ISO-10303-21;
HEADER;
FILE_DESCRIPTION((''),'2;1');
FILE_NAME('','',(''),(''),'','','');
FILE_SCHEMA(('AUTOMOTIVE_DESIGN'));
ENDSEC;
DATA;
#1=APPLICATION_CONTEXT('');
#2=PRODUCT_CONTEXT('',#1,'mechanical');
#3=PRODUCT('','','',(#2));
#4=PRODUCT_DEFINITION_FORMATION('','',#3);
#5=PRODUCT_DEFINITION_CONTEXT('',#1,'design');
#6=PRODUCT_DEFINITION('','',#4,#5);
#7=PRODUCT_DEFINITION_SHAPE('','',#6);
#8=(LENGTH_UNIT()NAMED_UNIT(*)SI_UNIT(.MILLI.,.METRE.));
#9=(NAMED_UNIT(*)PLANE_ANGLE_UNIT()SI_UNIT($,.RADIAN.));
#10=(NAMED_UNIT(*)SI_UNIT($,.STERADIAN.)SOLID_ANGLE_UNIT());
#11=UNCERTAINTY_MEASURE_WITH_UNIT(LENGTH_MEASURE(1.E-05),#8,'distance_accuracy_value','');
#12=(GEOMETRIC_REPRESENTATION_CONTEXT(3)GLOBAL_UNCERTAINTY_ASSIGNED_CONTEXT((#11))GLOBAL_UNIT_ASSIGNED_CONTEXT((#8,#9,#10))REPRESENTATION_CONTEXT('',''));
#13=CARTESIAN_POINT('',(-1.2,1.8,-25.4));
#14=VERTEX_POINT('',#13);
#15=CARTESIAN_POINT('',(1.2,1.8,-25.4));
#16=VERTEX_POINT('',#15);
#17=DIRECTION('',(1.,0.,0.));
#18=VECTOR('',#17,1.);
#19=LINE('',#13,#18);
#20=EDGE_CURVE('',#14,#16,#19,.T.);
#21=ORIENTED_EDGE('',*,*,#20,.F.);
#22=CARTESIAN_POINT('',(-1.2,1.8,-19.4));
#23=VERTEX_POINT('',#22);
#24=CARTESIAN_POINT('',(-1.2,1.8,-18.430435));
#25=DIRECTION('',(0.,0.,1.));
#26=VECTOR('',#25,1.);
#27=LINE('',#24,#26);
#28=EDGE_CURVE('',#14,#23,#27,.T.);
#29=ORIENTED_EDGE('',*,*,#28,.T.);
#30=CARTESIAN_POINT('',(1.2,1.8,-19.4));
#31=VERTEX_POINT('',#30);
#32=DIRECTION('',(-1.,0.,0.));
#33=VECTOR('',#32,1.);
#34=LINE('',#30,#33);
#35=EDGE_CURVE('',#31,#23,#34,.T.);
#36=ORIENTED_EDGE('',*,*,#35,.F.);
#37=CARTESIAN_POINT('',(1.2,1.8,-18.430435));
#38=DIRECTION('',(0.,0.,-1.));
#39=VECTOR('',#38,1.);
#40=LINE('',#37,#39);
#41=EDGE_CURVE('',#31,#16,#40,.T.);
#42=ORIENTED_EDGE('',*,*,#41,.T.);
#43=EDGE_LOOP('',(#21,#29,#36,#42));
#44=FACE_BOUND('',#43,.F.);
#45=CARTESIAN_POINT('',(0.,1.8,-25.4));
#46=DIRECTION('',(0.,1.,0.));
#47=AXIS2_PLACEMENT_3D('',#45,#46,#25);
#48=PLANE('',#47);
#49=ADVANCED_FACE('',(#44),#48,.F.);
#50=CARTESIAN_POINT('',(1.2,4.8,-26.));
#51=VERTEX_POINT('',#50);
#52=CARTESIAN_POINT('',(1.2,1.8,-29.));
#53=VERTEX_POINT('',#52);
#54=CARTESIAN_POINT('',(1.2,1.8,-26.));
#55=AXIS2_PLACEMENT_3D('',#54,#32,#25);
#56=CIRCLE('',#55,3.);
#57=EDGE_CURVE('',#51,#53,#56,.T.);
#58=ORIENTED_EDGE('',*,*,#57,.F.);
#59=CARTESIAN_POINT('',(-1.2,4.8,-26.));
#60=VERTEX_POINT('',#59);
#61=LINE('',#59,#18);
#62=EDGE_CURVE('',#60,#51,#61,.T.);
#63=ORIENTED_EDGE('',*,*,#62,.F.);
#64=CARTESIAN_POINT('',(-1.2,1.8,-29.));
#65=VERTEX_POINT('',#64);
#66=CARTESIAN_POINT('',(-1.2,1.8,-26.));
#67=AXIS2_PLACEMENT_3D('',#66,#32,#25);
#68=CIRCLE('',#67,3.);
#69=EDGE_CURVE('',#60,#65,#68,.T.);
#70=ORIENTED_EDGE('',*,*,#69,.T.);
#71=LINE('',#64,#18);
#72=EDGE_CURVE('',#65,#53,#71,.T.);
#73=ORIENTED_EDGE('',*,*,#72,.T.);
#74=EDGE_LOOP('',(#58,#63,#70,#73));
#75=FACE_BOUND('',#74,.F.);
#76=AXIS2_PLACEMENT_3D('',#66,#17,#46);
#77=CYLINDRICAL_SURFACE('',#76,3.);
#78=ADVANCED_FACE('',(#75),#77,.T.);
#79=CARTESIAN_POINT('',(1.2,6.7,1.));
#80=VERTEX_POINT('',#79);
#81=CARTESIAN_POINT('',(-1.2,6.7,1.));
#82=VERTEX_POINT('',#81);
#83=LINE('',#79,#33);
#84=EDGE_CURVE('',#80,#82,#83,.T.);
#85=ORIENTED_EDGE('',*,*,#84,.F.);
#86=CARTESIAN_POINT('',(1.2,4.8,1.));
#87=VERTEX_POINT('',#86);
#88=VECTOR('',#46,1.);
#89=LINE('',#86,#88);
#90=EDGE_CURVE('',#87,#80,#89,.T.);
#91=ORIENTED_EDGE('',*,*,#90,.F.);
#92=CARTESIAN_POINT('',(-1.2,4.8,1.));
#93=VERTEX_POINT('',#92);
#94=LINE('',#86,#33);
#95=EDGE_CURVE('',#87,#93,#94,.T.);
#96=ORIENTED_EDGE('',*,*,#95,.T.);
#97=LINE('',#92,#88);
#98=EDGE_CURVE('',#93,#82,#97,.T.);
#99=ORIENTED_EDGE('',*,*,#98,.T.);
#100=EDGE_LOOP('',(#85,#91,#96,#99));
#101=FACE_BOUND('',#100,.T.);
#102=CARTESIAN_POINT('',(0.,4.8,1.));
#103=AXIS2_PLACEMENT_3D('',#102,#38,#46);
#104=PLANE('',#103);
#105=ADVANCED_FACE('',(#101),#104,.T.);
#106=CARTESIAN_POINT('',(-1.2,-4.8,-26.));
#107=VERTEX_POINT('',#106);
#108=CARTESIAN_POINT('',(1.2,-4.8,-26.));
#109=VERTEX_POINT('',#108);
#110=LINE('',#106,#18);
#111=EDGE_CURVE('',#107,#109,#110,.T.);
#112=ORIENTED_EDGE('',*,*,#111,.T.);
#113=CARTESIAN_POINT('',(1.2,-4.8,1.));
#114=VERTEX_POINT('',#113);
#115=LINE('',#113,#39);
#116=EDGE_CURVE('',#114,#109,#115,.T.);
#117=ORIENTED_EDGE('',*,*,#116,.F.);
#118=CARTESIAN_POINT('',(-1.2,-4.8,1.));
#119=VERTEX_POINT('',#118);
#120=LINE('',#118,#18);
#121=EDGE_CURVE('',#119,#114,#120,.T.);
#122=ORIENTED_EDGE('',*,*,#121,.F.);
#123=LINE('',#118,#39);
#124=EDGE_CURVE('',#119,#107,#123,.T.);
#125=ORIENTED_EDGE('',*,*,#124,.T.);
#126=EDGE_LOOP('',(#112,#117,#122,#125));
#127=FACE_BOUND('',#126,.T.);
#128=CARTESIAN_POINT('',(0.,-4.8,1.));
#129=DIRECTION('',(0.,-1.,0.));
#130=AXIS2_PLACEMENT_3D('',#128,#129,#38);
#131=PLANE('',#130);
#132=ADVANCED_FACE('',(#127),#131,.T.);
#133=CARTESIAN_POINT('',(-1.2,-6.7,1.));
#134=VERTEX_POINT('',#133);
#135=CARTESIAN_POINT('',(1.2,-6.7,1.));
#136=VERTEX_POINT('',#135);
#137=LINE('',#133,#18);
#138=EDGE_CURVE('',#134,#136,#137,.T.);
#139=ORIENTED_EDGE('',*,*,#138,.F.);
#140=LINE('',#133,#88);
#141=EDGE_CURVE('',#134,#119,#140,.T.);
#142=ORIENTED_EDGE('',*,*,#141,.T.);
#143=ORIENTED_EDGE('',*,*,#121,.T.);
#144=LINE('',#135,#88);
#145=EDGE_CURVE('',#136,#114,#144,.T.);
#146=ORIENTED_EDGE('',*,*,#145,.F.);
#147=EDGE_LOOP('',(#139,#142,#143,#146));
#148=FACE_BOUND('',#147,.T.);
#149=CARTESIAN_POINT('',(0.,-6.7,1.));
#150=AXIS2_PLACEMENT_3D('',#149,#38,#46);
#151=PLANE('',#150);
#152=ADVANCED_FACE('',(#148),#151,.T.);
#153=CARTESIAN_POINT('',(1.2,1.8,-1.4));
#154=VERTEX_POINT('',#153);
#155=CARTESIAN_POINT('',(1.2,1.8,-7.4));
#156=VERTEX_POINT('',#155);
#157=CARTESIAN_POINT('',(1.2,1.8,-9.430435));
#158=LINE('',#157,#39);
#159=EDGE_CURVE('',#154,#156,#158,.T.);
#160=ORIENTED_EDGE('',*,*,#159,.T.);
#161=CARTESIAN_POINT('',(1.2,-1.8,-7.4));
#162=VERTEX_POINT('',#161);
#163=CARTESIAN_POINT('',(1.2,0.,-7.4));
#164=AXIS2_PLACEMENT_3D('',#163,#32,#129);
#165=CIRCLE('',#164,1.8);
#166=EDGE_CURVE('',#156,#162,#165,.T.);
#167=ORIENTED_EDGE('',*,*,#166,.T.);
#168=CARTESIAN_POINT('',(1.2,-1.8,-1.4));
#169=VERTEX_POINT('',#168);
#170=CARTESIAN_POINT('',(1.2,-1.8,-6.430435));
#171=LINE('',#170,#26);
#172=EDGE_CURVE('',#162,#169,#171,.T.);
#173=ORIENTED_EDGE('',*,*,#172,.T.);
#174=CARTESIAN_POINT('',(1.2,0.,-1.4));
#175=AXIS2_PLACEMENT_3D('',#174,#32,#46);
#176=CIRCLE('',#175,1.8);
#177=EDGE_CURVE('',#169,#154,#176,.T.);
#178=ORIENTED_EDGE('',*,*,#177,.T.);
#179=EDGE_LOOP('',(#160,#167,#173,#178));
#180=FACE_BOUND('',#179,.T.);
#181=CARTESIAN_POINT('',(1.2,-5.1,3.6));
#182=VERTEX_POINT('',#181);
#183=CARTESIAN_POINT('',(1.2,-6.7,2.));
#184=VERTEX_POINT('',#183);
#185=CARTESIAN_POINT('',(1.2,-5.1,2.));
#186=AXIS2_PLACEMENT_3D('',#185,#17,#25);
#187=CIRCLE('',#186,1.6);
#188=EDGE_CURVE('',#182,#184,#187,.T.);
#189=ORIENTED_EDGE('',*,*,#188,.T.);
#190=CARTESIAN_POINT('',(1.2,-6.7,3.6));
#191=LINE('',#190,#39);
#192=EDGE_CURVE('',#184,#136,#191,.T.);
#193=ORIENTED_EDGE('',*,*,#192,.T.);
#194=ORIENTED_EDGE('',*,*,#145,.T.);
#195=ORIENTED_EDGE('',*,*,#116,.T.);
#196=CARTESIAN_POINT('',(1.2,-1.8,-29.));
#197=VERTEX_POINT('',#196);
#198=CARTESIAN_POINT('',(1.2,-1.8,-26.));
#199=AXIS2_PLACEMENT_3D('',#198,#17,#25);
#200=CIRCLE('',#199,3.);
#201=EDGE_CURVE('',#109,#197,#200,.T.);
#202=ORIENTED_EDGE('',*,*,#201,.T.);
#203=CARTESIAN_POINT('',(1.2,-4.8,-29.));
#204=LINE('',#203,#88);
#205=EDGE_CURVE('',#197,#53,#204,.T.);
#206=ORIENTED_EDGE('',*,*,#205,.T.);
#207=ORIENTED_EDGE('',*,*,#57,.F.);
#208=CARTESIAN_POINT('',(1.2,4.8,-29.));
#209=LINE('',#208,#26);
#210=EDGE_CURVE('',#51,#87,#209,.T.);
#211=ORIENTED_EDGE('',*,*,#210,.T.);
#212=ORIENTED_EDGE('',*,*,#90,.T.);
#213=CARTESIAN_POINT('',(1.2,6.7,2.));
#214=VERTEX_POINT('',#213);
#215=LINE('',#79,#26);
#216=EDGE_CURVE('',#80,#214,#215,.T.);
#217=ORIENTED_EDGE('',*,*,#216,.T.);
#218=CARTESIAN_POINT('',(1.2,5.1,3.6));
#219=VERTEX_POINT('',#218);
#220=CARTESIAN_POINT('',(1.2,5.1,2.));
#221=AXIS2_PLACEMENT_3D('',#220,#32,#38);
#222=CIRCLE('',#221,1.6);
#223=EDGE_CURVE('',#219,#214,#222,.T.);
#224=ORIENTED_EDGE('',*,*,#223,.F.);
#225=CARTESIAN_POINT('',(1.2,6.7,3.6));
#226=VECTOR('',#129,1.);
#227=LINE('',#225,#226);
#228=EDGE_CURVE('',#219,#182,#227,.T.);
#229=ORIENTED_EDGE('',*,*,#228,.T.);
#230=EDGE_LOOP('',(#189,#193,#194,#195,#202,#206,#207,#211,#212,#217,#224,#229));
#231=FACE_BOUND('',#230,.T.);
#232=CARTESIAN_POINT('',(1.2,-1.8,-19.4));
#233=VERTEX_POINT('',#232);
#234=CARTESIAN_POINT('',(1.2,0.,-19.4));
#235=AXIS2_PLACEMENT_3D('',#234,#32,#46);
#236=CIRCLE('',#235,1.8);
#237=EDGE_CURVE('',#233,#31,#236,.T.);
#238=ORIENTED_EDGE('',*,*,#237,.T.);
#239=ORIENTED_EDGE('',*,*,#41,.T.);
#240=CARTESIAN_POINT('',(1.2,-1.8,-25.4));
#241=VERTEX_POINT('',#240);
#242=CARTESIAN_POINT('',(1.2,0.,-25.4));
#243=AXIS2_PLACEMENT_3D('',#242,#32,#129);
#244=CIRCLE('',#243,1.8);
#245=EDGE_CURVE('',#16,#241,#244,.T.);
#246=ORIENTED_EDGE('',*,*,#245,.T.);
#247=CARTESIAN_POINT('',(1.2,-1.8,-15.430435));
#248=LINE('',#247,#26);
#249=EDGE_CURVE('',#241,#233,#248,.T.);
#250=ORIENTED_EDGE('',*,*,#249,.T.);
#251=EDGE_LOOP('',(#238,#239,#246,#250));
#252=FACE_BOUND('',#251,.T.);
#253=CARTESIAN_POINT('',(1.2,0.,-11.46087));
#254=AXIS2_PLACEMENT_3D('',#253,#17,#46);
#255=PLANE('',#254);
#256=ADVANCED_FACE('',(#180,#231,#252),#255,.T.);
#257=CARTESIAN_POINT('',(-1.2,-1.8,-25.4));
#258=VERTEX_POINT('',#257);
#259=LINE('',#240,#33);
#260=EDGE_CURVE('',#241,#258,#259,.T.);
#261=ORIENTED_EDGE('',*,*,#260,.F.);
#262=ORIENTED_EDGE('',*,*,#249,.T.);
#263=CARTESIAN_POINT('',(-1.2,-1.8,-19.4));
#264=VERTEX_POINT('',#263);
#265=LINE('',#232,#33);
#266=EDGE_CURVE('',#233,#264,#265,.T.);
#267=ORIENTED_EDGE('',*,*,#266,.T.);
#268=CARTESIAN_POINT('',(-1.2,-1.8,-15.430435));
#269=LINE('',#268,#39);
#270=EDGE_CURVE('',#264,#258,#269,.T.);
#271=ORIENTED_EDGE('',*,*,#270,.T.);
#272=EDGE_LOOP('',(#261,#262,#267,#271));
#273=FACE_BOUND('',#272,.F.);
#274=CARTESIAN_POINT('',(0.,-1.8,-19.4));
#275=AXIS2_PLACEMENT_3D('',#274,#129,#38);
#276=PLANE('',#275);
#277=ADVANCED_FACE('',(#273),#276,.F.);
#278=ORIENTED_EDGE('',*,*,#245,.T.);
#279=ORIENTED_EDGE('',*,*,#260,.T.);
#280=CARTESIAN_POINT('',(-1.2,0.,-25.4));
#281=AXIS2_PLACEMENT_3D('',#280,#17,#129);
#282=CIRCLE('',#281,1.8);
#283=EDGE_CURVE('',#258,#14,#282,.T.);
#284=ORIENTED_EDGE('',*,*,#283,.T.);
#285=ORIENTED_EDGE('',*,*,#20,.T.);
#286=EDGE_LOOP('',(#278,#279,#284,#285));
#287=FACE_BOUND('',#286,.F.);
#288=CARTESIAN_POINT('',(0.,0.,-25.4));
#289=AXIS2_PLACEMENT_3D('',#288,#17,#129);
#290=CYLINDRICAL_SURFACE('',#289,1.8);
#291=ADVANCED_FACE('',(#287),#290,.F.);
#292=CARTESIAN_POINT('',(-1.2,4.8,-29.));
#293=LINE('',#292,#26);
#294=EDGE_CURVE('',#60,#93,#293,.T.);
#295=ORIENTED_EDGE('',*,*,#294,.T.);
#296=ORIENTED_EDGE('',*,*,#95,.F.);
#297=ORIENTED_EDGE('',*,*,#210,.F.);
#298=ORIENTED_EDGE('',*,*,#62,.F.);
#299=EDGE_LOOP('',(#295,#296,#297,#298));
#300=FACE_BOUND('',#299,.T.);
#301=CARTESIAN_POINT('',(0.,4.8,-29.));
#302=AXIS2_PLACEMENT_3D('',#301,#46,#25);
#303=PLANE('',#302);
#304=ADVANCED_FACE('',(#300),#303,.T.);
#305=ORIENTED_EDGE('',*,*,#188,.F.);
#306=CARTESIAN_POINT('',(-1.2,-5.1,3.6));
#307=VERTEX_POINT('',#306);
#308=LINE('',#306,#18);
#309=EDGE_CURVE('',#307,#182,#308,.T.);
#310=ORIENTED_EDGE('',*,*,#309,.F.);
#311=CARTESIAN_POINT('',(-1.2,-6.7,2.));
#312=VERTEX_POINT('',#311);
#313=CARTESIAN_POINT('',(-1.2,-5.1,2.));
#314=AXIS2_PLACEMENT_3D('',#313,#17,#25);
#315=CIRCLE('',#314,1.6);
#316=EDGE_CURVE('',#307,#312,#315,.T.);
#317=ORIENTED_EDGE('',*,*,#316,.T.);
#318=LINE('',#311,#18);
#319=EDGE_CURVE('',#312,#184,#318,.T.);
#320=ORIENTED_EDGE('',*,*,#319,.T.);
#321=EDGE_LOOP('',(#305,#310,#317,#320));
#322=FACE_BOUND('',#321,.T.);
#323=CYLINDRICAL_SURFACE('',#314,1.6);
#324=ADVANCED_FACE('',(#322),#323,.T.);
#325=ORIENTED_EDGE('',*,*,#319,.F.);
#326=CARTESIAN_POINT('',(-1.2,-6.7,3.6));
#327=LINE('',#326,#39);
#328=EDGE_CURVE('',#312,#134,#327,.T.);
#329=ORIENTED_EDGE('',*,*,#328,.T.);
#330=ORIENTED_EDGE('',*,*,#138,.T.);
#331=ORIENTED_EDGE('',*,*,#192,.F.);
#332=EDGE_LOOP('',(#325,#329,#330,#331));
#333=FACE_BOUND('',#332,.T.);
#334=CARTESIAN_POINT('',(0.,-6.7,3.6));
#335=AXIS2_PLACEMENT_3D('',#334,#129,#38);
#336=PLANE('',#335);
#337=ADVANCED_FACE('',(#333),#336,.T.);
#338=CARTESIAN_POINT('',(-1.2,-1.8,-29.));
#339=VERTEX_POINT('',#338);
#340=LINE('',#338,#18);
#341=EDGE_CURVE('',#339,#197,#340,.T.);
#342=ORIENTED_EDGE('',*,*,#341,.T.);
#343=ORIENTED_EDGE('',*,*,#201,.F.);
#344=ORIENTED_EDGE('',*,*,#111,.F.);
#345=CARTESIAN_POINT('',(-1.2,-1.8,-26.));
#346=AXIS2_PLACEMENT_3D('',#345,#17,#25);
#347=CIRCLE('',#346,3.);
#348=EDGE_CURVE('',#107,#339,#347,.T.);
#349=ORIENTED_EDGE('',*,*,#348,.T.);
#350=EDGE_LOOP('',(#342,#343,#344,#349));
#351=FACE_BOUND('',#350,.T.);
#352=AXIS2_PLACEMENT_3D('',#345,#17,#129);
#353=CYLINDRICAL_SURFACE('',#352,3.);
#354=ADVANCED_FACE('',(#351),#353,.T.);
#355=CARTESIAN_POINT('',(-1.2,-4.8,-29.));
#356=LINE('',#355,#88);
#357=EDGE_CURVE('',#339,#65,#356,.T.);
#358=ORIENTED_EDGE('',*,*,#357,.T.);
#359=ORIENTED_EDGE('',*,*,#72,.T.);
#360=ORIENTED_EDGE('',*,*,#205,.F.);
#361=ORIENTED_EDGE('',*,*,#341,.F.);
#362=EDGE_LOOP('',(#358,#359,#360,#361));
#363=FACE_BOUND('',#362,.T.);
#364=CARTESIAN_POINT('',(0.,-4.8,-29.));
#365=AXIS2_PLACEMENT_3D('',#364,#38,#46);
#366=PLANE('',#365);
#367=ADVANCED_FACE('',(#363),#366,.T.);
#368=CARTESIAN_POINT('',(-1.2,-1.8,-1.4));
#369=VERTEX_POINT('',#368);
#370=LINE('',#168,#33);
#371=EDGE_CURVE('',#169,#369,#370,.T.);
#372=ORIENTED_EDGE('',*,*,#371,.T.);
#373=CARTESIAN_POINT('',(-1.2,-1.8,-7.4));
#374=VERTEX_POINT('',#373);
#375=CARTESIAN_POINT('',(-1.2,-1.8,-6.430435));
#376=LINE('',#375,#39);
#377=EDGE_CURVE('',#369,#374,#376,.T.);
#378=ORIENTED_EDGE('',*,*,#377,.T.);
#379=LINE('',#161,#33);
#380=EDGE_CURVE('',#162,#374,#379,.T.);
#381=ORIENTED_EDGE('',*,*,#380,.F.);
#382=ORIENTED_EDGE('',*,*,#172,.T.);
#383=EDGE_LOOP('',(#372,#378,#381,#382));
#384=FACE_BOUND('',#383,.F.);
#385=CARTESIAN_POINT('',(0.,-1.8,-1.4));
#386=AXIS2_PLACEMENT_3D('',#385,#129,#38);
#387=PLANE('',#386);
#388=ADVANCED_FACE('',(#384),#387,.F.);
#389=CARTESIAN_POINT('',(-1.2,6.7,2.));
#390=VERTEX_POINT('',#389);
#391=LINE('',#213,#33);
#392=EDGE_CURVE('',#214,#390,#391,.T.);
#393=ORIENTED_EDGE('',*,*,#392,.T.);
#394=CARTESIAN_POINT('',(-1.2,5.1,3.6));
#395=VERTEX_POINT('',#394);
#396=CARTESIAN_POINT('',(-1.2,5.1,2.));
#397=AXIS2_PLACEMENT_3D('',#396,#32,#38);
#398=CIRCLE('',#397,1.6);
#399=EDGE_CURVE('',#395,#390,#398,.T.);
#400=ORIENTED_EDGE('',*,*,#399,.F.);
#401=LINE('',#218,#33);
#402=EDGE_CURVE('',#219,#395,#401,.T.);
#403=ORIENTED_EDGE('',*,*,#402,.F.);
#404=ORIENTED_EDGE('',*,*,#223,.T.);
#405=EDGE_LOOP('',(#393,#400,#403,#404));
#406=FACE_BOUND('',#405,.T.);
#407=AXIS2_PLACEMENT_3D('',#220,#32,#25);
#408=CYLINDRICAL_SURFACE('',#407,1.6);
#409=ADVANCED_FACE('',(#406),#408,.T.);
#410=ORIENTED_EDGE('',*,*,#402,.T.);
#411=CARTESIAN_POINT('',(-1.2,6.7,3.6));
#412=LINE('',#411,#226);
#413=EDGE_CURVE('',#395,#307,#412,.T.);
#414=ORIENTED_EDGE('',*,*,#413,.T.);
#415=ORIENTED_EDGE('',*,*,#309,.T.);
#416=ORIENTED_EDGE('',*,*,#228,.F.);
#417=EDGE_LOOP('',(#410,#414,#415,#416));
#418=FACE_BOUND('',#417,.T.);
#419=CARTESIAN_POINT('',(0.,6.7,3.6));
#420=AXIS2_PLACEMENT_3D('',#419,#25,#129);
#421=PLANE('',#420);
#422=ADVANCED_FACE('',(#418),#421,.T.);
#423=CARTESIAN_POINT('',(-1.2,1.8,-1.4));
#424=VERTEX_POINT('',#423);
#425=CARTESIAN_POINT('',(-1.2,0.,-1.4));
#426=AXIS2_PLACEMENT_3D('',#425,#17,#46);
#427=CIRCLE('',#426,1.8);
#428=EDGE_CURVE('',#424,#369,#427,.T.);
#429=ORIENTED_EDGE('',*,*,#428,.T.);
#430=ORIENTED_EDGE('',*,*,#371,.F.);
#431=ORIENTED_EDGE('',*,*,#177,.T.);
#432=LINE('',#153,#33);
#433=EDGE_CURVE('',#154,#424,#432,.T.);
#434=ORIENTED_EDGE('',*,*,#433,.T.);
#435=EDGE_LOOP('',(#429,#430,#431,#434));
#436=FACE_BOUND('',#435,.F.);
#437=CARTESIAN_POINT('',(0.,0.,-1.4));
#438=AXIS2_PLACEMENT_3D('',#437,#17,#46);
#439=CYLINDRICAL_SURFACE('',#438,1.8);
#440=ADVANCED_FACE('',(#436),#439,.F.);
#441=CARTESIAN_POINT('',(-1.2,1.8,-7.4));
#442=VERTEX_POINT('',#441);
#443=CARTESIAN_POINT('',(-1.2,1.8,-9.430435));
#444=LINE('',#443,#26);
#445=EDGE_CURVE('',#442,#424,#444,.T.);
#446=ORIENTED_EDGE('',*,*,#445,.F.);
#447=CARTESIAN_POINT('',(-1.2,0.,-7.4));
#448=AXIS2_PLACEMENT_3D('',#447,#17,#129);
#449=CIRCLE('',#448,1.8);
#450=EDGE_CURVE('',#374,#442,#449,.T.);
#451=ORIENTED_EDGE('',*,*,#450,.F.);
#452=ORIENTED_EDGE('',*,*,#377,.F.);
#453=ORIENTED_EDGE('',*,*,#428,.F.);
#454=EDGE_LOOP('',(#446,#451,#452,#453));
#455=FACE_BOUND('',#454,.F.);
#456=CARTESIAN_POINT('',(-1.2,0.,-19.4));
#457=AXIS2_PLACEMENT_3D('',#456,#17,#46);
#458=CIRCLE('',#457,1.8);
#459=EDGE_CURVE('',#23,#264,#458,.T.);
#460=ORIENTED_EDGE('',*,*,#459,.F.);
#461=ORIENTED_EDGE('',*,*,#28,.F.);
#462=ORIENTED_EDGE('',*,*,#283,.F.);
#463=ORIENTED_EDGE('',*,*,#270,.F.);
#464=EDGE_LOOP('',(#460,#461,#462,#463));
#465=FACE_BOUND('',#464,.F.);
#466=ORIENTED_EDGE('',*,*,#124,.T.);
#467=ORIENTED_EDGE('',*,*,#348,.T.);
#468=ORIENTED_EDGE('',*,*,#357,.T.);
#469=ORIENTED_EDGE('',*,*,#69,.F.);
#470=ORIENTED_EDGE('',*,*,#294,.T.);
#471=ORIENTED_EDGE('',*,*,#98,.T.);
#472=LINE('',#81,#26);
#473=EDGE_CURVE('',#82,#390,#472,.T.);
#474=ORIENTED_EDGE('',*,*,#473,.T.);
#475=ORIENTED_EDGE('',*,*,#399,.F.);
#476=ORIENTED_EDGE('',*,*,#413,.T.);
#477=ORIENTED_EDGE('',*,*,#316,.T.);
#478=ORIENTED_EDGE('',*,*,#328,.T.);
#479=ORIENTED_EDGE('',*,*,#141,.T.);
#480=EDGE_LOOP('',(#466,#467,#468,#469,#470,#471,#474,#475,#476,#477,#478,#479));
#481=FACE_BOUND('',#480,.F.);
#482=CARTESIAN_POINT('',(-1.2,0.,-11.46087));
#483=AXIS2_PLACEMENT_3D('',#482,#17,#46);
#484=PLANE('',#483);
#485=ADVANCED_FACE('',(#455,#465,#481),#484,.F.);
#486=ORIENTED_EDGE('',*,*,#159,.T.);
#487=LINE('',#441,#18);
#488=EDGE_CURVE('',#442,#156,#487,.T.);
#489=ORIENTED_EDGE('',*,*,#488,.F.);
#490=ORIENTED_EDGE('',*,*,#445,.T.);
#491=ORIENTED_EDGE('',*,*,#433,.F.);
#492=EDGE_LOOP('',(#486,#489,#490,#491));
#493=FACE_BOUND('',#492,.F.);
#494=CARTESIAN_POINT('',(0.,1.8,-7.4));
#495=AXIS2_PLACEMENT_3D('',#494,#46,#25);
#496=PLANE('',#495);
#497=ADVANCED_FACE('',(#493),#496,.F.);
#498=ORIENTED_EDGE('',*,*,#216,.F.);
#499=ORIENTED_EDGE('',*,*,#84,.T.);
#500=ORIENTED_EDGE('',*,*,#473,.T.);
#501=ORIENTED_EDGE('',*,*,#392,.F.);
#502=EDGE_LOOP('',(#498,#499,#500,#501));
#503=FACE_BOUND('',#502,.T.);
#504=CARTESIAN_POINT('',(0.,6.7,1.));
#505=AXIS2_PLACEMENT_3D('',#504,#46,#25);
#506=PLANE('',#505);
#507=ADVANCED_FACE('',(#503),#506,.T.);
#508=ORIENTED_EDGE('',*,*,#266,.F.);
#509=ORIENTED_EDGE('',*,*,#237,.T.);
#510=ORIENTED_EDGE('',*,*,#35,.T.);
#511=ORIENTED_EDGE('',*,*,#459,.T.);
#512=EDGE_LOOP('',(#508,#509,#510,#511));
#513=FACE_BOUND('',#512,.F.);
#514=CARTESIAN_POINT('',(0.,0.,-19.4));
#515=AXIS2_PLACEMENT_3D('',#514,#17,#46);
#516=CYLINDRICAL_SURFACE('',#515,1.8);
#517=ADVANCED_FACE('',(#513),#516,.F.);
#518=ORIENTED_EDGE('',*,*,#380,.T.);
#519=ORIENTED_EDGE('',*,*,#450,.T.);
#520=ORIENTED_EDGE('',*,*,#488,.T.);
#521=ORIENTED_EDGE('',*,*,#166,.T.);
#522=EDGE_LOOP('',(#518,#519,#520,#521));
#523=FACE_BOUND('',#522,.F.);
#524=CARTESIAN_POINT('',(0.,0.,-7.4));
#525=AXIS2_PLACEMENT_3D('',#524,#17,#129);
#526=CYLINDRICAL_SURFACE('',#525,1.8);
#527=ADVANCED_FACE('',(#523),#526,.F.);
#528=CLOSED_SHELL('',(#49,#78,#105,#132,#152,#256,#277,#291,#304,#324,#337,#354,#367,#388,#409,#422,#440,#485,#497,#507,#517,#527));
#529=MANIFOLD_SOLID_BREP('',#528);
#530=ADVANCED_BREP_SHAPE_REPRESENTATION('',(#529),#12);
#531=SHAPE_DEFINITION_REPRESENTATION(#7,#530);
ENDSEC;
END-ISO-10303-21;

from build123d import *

# Parameters (mm, degrees)
F2_DEPTH      = 1.2
F3_DEPTH      = 1.201
F3_DEPTH_BACK = 1.201
F4_R          = 1.6
F5_R          = 3


with BuildPart() as f2:
    # F0 (on Right) → F2 (new body, symmetric)
    with BuildSketch(Plane.YZ):
        Polygon((6.7, 3.6), (-6.7, 3.6), (-6.7, 1), (-4.8, 1), (-4.8, -29), (4.8, -29), (4.8, 1), (6.7, 1), align=None)
    extrude(amount=F2_DEPTH, both=True)

    # F1 (on Right) → F3 (cut, two sides)
    with BuildSketch(Plane.YZ) as f3_sk:
        with BuildLine():
            Line((1.8, -7.4), (1.8, -1.4))
            ThreePointArc((1.8, -1.4), (0, 0.4), (-1.8, -1.4))
            Line((-1.8, -1.4), (-1.8, -7.4))
            ThreePointArc((-1.8, -7.4), (0, -9.2), (1.8, -7.4))
        make_face()
        with BuildLine():
            Line((1.8, -25.4), (1.8, -19.4))
            ThreePointArc((1.8, -19.4), (0, -17.6), (-1.8, -19.4))
            Line((-1.8, -19.4), (-1.8, -25.4))
            ThreePointArc((-1.8, -25.4), (0, -27.2), (1.8, -25.4))
        make_face()
    extrude(amount=-F3_DEPTH, mode=Mode.SUBTRACT)
    extrude(f3_sk.sketch, amount=F3_DEPTH_BACK, mode=Mode.SUBTRACT)

    # F4
    f4_edges = [f2.edges().sort_by_distance(p)[0] for p in [
        (0, 6.7, 3.6),
        (0, -6.7, 3.6),
    ]]
    fillet(f4_edges, radius=F4_R)

    # F5
    f5_edges = [f2.edges().sort_by_distance(p)[0] for p in [
        (0, 4.8, -29),
        (0, -4.8, -29),
    ]]
    fillet(f5_edges, radius=F5_R)


solid = f2.part
